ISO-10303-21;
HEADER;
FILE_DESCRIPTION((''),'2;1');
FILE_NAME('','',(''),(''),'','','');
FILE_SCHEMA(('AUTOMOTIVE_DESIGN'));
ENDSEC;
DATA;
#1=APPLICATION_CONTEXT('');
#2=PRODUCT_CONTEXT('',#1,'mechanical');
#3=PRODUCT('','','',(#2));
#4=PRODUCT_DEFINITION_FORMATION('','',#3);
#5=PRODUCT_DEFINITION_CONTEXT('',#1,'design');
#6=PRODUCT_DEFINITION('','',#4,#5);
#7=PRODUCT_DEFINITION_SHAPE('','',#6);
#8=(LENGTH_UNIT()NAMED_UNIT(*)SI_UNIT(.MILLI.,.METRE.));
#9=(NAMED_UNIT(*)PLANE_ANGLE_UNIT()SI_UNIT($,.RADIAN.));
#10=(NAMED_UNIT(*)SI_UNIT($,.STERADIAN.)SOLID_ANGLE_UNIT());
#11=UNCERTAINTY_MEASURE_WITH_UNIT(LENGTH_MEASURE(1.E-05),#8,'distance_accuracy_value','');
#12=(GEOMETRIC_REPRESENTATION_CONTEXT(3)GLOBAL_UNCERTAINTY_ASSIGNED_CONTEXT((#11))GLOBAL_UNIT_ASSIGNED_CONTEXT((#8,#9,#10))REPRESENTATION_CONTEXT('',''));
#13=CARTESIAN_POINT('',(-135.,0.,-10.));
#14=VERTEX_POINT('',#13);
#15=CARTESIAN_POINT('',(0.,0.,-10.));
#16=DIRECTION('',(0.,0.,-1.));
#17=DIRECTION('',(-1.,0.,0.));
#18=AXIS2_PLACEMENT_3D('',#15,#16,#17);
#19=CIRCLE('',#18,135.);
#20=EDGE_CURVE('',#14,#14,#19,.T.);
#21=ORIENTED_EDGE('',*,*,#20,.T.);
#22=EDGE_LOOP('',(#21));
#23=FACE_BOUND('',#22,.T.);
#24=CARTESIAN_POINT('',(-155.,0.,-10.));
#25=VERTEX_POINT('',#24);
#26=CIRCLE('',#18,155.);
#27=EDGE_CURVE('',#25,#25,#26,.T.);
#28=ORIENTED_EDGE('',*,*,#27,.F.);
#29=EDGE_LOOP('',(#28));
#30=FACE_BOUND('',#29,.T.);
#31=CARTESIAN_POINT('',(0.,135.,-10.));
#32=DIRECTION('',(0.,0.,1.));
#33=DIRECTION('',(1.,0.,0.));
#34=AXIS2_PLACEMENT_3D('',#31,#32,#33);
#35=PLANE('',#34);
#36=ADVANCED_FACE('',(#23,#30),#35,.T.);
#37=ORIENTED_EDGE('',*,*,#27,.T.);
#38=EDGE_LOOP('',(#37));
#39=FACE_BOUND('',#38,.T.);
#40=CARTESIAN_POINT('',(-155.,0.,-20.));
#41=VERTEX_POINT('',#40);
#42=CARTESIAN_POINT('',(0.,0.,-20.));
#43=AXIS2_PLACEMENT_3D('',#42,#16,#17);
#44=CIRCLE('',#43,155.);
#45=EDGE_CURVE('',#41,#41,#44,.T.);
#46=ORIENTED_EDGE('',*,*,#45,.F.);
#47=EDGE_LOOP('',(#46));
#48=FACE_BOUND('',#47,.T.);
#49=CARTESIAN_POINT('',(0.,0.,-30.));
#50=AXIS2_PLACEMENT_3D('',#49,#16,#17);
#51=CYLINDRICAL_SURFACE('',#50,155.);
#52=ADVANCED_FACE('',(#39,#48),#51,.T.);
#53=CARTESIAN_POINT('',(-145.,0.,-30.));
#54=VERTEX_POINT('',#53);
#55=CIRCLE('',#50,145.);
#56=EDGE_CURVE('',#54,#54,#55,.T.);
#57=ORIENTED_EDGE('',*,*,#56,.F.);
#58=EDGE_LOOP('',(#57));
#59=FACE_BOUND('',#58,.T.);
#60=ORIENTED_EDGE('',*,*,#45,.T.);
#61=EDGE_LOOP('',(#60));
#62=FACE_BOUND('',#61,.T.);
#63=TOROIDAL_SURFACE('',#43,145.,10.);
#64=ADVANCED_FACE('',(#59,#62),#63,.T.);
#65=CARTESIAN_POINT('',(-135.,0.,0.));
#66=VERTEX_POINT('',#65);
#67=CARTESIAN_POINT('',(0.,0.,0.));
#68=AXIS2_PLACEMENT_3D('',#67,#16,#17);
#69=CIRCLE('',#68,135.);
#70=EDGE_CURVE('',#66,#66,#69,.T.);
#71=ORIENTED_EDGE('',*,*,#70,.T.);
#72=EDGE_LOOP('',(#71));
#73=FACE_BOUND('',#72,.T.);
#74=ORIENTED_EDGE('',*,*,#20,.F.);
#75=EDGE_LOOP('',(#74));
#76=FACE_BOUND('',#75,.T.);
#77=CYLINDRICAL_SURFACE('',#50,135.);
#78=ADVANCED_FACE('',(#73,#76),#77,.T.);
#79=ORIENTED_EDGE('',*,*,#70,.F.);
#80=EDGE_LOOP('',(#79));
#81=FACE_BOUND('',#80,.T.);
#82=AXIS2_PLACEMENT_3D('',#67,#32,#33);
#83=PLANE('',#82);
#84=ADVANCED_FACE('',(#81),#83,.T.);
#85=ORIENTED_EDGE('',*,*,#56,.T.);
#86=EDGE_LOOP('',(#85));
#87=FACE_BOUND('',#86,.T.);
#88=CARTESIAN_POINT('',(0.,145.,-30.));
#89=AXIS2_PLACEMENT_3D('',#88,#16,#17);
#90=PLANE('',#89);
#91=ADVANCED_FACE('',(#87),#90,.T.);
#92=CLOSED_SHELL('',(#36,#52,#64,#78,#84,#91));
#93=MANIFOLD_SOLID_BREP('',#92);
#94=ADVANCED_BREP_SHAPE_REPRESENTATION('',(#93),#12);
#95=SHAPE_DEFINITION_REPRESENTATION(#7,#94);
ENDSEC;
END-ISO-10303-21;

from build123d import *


with BuildPart() as part:
    # Sketch1 → Revolve1 (revolve)
    with BuildSketch(Plane(origin=(0, 0, 0), x_dir=(0, 0, -1), z_dir=(1, 0, 0)), mode=Mode.PRIVATE) as revolve1_sk:
        with BuildLine():
            Line((0, 0), (0, 135))
            Line((0, 135), (10, 135))
            Line((10, 135), (10, 155))
            Line((10, 155), (20, 155))
            ThreePointArc((20, 155), (27.071067812, 152.071067812), (30, 145))
            Line((30, 145), (30, 0))
            Line((30, 0), (0, 0))
        make_face()
    revolve(revolve1_sk.sketch.rotate(Axis((0, 0, -30), (0, 0, 1)), 90), axis=Axis((0, 0, -30), (0, 0, 1)))


solid = part.part
